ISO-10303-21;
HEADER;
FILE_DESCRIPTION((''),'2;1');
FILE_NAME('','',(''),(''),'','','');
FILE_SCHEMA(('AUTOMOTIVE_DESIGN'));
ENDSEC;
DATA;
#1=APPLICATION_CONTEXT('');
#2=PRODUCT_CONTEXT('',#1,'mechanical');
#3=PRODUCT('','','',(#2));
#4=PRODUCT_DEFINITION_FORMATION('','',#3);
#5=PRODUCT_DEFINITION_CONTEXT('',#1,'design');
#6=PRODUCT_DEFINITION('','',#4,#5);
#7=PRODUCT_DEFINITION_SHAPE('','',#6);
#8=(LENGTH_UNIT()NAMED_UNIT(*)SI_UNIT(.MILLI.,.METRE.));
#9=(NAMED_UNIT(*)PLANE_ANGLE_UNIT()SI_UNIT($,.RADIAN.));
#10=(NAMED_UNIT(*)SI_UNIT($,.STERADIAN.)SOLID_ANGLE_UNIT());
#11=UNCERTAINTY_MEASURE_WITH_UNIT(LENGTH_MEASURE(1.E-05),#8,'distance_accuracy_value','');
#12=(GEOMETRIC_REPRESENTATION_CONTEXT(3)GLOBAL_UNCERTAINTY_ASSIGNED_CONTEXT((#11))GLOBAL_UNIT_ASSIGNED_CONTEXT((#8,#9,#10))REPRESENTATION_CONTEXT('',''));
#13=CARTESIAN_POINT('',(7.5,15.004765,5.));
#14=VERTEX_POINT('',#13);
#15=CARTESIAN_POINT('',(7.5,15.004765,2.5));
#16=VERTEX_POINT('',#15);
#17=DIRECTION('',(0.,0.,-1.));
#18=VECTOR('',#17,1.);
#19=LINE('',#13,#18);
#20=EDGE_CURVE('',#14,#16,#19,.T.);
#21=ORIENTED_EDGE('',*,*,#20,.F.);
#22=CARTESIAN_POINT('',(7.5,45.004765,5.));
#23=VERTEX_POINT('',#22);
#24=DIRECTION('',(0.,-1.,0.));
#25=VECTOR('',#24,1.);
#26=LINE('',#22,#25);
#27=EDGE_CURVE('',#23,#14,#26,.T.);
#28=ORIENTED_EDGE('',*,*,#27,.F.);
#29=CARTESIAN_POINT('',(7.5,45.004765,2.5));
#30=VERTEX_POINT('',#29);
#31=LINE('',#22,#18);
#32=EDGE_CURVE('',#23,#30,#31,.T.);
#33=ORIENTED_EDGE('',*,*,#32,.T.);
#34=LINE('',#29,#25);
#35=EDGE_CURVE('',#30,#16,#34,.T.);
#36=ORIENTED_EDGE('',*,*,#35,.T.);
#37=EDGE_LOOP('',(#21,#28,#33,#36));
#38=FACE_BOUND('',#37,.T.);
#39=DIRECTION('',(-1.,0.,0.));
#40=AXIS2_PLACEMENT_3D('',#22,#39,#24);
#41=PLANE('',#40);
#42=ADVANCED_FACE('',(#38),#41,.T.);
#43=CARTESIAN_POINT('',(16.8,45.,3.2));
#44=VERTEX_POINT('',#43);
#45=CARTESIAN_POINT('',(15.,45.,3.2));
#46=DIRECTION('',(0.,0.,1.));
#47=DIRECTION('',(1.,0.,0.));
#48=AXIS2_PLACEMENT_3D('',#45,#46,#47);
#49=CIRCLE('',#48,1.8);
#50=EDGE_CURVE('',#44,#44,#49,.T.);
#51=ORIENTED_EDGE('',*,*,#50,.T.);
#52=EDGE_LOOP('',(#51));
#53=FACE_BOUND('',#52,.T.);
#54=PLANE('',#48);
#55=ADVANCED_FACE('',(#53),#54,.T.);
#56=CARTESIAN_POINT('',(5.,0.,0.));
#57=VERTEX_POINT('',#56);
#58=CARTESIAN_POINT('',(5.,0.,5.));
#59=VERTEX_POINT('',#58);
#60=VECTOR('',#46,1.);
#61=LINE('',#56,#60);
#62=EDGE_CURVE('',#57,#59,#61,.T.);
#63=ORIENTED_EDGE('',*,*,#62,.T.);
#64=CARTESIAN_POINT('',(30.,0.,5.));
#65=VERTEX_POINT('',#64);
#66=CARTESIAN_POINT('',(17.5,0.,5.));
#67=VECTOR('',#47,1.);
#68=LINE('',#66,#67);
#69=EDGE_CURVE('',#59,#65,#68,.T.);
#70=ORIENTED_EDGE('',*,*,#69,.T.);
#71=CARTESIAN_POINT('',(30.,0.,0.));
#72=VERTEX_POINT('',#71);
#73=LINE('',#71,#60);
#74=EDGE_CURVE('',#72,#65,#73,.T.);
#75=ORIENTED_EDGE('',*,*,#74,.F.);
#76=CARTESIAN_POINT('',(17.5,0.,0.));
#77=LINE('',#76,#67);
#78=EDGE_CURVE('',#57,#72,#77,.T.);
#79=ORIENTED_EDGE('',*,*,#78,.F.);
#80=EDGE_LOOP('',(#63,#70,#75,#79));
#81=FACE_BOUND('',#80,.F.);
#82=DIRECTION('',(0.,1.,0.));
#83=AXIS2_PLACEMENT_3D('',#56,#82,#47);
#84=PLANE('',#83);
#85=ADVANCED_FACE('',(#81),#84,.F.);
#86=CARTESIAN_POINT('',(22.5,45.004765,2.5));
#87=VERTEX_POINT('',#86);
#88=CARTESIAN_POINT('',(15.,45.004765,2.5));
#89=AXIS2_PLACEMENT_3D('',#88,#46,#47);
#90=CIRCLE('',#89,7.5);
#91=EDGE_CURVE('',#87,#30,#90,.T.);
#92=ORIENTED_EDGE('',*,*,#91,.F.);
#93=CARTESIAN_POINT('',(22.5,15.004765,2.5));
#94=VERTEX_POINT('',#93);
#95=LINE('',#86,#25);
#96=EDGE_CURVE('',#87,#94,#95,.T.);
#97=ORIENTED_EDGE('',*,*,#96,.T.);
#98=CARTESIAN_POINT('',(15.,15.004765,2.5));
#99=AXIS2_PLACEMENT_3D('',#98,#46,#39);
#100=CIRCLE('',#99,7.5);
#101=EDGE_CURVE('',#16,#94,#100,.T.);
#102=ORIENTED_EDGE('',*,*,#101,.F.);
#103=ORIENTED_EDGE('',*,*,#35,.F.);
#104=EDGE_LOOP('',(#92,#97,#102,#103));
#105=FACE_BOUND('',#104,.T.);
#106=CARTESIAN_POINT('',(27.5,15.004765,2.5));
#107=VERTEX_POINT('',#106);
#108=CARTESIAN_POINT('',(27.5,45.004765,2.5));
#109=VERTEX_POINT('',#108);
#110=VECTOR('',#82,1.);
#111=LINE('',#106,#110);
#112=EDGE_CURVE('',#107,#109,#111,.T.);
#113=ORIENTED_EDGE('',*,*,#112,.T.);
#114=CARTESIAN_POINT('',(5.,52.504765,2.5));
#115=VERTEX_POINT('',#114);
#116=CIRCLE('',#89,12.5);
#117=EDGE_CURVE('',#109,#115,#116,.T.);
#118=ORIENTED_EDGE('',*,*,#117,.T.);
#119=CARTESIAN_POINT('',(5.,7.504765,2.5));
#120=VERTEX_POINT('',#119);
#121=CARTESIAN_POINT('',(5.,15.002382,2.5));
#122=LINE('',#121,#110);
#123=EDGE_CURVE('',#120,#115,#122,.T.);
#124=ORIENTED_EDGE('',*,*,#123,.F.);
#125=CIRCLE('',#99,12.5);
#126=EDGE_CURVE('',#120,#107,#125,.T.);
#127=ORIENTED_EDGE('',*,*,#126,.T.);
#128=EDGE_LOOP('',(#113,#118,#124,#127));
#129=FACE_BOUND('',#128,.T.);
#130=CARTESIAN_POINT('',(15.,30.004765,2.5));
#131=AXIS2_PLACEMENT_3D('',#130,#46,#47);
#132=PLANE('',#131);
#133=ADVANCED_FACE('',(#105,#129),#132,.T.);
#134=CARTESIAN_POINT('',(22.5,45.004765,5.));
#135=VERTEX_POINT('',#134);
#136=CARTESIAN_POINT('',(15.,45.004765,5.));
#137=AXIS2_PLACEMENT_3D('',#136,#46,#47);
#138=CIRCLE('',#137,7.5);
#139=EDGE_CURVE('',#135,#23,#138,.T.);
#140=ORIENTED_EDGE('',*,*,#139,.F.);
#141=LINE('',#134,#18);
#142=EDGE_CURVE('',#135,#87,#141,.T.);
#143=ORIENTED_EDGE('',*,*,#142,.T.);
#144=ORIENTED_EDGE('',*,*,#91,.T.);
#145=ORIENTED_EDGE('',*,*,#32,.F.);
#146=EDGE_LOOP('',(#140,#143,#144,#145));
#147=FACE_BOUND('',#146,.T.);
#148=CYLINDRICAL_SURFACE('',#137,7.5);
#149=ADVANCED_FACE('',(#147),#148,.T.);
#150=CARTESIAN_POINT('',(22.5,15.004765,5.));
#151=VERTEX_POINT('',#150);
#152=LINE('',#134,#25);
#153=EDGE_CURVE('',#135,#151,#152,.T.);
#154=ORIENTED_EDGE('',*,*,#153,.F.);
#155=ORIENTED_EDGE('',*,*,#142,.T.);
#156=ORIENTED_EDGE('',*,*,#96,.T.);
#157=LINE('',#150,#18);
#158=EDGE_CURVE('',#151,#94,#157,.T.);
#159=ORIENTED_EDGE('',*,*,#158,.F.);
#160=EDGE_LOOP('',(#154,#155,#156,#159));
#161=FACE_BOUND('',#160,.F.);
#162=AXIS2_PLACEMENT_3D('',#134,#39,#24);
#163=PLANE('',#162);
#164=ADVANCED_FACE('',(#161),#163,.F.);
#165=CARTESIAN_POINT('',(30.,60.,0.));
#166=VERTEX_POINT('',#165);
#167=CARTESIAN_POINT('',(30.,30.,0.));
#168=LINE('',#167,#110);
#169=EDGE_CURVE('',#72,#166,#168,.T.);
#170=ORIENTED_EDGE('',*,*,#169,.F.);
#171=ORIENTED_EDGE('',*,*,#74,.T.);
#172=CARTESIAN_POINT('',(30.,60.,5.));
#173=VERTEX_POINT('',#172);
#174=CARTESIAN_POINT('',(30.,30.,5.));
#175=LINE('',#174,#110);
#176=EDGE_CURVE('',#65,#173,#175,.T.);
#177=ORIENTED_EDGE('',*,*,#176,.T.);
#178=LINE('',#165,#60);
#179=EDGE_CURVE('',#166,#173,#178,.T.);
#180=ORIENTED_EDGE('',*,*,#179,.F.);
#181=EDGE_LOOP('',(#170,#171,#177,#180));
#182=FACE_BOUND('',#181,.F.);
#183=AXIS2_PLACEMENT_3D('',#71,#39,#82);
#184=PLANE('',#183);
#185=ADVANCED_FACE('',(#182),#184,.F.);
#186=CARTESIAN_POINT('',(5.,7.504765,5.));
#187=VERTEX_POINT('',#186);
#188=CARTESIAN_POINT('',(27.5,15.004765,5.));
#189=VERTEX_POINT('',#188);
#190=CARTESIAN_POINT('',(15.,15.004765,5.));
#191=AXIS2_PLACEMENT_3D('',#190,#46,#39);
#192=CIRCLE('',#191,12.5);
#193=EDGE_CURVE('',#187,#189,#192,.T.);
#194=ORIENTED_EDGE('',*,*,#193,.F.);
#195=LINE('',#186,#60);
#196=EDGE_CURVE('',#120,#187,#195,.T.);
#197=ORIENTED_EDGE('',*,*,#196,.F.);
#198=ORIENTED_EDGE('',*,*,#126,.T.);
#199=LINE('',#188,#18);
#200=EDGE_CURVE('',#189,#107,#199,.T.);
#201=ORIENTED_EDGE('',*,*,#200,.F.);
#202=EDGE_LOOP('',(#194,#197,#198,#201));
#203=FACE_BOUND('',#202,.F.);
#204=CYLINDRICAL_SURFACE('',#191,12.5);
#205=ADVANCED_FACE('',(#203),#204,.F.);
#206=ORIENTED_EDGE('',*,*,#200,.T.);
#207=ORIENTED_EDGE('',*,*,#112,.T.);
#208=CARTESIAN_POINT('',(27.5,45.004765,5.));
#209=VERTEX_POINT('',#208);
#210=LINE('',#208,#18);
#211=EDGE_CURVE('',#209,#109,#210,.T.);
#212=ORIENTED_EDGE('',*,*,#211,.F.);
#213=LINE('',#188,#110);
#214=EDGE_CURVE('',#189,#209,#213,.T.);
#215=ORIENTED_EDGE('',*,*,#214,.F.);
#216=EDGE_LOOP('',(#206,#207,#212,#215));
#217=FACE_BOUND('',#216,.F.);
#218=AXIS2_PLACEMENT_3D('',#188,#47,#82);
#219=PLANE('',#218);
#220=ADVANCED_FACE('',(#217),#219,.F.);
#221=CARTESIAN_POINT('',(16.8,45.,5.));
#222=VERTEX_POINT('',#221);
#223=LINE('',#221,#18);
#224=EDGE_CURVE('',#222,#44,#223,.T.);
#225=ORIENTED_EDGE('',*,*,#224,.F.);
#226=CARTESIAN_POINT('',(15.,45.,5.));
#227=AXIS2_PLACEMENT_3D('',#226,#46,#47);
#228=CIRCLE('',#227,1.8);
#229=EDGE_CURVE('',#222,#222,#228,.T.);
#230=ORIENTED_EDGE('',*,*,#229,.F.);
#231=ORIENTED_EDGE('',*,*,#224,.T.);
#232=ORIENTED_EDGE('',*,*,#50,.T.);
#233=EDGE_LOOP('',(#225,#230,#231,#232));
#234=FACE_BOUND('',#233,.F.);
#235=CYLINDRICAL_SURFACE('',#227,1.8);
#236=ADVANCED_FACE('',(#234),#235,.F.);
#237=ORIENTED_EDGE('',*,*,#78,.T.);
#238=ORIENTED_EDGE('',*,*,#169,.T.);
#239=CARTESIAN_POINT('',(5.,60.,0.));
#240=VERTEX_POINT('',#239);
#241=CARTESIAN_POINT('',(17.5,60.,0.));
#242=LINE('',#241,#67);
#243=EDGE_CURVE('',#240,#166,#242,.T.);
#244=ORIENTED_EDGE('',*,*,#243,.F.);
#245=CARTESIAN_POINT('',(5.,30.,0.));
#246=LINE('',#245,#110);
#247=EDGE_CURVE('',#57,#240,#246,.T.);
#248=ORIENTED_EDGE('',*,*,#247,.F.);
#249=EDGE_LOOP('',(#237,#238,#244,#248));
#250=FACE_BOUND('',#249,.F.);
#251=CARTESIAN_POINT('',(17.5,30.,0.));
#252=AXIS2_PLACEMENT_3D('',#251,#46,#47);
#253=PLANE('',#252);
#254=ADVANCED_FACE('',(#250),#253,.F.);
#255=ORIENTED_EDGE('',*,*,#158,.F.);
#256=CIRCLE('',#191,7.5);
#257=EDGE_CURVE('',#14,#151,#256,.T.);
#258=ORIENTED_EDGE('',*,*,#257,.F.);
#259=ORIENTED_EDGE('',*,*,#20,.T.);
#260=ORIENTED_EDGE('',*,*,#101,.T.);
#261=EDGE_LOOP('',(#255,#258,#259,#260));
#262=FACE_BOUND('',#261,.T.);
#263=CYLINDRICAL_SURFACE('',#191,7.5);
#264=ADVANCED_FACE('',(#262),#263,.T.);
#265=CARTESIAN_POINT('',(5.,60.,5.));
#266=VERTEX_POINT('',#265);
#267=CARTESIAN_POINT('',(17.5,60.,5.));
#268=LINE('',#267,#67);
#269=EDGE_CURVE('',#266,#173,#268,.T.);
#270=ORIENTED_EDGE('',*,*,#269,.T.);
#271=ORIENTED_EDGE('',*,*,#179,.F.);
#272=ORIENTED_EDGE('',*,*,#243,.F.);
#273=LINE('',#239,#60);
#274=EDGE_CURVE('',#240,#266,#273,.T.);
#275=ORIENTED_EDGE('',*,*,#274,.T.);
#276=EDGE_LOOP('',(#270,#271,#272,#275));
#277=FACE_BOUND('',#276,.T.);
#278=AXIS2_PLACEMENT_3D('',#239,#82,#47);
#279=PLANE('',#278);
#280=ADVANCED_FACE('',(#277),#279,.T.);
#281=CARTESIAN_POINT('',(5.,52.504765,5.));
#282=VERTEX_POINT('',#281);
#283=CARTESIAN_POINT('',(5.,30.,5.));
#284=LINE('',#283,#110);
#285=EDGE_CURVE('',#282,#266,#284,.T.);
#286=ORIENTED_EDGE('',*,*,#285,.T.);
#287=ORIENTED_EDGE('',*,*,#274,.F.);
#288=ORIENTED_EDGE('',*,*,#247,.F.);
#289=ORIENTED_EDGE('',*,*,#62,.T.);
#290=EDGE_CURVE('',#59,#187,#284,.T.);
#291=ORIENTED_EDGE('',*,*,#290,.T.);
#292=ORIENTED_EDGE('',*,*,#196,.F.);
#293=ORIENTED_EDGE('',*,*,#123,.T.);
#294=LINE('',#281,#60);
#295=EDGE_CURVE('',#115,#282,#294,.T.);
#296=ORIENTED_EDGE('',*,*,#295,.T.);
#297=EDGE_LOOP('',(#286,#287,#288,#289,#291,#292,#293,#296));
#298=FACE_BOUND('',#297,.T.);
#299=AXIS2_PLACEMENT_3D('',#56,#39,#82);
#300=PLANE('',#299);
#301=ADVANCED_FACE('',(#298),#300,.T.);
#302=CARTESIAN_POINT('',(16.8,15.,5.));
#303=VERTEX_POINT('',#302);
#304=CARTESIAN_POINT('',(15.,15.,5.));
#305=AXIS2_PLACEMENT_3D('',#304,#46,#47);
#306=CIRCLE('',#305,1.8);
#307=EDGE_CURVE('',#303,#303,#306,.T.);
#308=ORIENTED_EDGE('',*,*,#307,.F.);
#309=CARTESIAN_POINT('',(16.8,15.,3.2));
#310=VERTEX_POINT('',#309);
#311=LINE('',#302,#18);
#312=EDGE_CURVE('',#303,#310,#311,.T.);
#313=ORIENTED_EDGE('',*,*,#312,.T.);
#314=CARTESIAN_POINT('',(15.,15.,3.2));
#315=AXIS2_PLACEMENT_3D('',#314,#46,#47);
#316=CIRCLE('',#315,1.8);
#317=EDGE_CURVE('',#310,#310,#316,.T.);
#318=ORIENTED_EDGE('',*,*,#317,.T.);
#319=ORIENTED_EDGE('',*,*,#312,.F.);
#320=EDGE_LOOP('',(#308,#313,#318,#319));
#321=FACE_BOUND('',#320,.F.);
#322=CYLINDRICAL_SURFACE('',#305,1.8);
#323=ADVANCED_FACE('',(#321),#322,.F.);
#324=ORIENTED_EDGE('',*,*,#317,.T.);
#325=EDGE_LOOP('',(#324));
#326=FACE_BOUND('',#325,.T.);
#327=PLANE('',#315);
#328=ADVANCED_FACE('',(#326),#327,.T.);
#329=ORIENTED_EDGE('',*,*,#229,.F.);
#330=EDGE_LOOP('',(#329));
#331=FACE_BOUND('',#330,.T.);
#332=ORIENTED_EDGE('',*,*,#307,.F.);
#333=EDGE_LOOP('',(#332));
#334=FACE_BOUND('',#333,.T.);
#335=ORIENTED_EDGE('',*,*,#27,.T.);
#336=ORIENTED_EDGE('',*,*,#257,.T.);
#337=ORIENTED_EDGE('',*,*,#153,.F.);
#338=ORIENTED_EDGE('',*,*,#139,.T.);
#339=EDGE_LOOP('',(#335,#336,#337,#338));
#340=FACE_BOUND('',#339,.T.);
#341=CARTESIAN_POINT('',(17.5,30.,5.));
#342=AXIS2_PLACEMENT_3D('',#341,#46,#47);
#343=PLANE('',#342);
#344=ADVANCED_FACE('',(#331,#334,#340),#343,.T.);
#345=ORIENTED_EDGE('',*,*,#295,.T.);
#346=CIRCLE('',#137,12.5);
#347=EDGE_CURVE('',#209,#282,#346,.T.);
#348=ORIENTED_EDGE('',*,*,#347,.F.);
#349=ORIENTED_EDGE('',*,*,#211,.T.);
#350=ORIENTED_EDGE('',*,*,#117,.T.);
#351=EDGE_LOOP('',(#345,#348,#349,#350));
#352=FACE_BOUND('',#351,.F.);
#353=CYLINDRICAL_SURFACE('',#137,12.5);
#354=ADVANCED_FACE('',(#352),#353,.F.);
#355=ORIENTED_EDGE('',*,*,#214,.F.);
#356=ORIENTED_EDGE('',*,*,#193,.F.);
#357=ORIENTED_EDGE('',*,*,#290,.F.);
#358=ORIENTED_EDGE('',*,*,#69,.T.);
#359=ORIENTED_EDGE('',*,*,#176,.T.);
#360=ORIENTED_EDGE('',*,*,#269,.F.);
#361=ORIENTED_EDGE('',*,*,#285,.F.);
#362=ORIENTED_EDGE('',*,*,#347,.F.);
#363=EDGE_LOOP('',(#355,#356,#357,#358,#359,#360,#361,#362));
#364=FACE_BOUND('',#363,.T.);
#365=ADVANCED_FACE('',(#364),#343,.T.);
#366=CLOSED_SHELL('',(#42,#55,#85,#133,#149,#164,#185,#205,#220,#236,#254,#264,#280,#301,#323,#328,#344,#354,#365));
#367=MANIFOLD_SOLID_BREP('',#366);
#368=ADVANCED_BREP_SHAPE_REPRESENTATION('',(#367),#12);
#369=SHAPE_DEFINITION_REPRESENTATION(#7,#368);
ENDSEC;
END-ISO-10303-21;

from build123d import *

# Parameters (mm, degrees)
SKETCH_W        = 25
SKETCH_H        = 60
PAD_DEPTH       = 5
POCKET_DEPTH    = 2.5
SKETCH002_R     = 1.8
POCKET001_DEPTH = 1.8


with BuildPart() as part:
    # Sketch → Pad (new body)
    with BuildSketch(Plane.XY):
        with Locations((17.5, 30)):
            Rectangle(SKETCH_W, SKETCH_H)
    extrude(amount=PAD_DEPTH)

    # Sketch001 → Pocket (cut)
    with BuildSketch(Plane.XY.offset(5)):
        with BuildLine():
            ThreePointArc((27.5, 45.004765), (15, 57.504765), (2.5, 45.004764))
            Line((2.5, 45.004764), (2.5, 15.004765))
            ThreePointArc((2.5, 15.004765), (15, 2.504765), (27.5, 15.004765))
            Line((27.5, 15.004765), (27.5, 45.004765))
        make_face()
        with BuildLine():
            ThreePointArc((22.5, 45.004765), (15, 52.504765), (7.5, 45.004765))
            Line((7.5, 45.004765), (7.5, 15.004765))
            ThreePointArc((7.5, 15.004765), (15, 7.504765), (22.5, 15.004765))
            Line((22.5, 45.004765), (22.5, 15.004765))
        make_face(mode=Mode.SUBTRACT)
    extrude(amount=-POCKET_DEPTH, mode=Mode.SUBTRACT)

    # Sketch002 → Pocket001 (cut)
    with BuildSketch(Plane.XY.offset(5)):
        with Locations((15, 45)):
            Circle(SKETCH002_R)
        with Locations((15, 15)):
            Circle(SKETCH002_R)
    extrude(amount=-POCKET001_DEPTH, mode=Mode.SUBTRACT)


solid = part.part
